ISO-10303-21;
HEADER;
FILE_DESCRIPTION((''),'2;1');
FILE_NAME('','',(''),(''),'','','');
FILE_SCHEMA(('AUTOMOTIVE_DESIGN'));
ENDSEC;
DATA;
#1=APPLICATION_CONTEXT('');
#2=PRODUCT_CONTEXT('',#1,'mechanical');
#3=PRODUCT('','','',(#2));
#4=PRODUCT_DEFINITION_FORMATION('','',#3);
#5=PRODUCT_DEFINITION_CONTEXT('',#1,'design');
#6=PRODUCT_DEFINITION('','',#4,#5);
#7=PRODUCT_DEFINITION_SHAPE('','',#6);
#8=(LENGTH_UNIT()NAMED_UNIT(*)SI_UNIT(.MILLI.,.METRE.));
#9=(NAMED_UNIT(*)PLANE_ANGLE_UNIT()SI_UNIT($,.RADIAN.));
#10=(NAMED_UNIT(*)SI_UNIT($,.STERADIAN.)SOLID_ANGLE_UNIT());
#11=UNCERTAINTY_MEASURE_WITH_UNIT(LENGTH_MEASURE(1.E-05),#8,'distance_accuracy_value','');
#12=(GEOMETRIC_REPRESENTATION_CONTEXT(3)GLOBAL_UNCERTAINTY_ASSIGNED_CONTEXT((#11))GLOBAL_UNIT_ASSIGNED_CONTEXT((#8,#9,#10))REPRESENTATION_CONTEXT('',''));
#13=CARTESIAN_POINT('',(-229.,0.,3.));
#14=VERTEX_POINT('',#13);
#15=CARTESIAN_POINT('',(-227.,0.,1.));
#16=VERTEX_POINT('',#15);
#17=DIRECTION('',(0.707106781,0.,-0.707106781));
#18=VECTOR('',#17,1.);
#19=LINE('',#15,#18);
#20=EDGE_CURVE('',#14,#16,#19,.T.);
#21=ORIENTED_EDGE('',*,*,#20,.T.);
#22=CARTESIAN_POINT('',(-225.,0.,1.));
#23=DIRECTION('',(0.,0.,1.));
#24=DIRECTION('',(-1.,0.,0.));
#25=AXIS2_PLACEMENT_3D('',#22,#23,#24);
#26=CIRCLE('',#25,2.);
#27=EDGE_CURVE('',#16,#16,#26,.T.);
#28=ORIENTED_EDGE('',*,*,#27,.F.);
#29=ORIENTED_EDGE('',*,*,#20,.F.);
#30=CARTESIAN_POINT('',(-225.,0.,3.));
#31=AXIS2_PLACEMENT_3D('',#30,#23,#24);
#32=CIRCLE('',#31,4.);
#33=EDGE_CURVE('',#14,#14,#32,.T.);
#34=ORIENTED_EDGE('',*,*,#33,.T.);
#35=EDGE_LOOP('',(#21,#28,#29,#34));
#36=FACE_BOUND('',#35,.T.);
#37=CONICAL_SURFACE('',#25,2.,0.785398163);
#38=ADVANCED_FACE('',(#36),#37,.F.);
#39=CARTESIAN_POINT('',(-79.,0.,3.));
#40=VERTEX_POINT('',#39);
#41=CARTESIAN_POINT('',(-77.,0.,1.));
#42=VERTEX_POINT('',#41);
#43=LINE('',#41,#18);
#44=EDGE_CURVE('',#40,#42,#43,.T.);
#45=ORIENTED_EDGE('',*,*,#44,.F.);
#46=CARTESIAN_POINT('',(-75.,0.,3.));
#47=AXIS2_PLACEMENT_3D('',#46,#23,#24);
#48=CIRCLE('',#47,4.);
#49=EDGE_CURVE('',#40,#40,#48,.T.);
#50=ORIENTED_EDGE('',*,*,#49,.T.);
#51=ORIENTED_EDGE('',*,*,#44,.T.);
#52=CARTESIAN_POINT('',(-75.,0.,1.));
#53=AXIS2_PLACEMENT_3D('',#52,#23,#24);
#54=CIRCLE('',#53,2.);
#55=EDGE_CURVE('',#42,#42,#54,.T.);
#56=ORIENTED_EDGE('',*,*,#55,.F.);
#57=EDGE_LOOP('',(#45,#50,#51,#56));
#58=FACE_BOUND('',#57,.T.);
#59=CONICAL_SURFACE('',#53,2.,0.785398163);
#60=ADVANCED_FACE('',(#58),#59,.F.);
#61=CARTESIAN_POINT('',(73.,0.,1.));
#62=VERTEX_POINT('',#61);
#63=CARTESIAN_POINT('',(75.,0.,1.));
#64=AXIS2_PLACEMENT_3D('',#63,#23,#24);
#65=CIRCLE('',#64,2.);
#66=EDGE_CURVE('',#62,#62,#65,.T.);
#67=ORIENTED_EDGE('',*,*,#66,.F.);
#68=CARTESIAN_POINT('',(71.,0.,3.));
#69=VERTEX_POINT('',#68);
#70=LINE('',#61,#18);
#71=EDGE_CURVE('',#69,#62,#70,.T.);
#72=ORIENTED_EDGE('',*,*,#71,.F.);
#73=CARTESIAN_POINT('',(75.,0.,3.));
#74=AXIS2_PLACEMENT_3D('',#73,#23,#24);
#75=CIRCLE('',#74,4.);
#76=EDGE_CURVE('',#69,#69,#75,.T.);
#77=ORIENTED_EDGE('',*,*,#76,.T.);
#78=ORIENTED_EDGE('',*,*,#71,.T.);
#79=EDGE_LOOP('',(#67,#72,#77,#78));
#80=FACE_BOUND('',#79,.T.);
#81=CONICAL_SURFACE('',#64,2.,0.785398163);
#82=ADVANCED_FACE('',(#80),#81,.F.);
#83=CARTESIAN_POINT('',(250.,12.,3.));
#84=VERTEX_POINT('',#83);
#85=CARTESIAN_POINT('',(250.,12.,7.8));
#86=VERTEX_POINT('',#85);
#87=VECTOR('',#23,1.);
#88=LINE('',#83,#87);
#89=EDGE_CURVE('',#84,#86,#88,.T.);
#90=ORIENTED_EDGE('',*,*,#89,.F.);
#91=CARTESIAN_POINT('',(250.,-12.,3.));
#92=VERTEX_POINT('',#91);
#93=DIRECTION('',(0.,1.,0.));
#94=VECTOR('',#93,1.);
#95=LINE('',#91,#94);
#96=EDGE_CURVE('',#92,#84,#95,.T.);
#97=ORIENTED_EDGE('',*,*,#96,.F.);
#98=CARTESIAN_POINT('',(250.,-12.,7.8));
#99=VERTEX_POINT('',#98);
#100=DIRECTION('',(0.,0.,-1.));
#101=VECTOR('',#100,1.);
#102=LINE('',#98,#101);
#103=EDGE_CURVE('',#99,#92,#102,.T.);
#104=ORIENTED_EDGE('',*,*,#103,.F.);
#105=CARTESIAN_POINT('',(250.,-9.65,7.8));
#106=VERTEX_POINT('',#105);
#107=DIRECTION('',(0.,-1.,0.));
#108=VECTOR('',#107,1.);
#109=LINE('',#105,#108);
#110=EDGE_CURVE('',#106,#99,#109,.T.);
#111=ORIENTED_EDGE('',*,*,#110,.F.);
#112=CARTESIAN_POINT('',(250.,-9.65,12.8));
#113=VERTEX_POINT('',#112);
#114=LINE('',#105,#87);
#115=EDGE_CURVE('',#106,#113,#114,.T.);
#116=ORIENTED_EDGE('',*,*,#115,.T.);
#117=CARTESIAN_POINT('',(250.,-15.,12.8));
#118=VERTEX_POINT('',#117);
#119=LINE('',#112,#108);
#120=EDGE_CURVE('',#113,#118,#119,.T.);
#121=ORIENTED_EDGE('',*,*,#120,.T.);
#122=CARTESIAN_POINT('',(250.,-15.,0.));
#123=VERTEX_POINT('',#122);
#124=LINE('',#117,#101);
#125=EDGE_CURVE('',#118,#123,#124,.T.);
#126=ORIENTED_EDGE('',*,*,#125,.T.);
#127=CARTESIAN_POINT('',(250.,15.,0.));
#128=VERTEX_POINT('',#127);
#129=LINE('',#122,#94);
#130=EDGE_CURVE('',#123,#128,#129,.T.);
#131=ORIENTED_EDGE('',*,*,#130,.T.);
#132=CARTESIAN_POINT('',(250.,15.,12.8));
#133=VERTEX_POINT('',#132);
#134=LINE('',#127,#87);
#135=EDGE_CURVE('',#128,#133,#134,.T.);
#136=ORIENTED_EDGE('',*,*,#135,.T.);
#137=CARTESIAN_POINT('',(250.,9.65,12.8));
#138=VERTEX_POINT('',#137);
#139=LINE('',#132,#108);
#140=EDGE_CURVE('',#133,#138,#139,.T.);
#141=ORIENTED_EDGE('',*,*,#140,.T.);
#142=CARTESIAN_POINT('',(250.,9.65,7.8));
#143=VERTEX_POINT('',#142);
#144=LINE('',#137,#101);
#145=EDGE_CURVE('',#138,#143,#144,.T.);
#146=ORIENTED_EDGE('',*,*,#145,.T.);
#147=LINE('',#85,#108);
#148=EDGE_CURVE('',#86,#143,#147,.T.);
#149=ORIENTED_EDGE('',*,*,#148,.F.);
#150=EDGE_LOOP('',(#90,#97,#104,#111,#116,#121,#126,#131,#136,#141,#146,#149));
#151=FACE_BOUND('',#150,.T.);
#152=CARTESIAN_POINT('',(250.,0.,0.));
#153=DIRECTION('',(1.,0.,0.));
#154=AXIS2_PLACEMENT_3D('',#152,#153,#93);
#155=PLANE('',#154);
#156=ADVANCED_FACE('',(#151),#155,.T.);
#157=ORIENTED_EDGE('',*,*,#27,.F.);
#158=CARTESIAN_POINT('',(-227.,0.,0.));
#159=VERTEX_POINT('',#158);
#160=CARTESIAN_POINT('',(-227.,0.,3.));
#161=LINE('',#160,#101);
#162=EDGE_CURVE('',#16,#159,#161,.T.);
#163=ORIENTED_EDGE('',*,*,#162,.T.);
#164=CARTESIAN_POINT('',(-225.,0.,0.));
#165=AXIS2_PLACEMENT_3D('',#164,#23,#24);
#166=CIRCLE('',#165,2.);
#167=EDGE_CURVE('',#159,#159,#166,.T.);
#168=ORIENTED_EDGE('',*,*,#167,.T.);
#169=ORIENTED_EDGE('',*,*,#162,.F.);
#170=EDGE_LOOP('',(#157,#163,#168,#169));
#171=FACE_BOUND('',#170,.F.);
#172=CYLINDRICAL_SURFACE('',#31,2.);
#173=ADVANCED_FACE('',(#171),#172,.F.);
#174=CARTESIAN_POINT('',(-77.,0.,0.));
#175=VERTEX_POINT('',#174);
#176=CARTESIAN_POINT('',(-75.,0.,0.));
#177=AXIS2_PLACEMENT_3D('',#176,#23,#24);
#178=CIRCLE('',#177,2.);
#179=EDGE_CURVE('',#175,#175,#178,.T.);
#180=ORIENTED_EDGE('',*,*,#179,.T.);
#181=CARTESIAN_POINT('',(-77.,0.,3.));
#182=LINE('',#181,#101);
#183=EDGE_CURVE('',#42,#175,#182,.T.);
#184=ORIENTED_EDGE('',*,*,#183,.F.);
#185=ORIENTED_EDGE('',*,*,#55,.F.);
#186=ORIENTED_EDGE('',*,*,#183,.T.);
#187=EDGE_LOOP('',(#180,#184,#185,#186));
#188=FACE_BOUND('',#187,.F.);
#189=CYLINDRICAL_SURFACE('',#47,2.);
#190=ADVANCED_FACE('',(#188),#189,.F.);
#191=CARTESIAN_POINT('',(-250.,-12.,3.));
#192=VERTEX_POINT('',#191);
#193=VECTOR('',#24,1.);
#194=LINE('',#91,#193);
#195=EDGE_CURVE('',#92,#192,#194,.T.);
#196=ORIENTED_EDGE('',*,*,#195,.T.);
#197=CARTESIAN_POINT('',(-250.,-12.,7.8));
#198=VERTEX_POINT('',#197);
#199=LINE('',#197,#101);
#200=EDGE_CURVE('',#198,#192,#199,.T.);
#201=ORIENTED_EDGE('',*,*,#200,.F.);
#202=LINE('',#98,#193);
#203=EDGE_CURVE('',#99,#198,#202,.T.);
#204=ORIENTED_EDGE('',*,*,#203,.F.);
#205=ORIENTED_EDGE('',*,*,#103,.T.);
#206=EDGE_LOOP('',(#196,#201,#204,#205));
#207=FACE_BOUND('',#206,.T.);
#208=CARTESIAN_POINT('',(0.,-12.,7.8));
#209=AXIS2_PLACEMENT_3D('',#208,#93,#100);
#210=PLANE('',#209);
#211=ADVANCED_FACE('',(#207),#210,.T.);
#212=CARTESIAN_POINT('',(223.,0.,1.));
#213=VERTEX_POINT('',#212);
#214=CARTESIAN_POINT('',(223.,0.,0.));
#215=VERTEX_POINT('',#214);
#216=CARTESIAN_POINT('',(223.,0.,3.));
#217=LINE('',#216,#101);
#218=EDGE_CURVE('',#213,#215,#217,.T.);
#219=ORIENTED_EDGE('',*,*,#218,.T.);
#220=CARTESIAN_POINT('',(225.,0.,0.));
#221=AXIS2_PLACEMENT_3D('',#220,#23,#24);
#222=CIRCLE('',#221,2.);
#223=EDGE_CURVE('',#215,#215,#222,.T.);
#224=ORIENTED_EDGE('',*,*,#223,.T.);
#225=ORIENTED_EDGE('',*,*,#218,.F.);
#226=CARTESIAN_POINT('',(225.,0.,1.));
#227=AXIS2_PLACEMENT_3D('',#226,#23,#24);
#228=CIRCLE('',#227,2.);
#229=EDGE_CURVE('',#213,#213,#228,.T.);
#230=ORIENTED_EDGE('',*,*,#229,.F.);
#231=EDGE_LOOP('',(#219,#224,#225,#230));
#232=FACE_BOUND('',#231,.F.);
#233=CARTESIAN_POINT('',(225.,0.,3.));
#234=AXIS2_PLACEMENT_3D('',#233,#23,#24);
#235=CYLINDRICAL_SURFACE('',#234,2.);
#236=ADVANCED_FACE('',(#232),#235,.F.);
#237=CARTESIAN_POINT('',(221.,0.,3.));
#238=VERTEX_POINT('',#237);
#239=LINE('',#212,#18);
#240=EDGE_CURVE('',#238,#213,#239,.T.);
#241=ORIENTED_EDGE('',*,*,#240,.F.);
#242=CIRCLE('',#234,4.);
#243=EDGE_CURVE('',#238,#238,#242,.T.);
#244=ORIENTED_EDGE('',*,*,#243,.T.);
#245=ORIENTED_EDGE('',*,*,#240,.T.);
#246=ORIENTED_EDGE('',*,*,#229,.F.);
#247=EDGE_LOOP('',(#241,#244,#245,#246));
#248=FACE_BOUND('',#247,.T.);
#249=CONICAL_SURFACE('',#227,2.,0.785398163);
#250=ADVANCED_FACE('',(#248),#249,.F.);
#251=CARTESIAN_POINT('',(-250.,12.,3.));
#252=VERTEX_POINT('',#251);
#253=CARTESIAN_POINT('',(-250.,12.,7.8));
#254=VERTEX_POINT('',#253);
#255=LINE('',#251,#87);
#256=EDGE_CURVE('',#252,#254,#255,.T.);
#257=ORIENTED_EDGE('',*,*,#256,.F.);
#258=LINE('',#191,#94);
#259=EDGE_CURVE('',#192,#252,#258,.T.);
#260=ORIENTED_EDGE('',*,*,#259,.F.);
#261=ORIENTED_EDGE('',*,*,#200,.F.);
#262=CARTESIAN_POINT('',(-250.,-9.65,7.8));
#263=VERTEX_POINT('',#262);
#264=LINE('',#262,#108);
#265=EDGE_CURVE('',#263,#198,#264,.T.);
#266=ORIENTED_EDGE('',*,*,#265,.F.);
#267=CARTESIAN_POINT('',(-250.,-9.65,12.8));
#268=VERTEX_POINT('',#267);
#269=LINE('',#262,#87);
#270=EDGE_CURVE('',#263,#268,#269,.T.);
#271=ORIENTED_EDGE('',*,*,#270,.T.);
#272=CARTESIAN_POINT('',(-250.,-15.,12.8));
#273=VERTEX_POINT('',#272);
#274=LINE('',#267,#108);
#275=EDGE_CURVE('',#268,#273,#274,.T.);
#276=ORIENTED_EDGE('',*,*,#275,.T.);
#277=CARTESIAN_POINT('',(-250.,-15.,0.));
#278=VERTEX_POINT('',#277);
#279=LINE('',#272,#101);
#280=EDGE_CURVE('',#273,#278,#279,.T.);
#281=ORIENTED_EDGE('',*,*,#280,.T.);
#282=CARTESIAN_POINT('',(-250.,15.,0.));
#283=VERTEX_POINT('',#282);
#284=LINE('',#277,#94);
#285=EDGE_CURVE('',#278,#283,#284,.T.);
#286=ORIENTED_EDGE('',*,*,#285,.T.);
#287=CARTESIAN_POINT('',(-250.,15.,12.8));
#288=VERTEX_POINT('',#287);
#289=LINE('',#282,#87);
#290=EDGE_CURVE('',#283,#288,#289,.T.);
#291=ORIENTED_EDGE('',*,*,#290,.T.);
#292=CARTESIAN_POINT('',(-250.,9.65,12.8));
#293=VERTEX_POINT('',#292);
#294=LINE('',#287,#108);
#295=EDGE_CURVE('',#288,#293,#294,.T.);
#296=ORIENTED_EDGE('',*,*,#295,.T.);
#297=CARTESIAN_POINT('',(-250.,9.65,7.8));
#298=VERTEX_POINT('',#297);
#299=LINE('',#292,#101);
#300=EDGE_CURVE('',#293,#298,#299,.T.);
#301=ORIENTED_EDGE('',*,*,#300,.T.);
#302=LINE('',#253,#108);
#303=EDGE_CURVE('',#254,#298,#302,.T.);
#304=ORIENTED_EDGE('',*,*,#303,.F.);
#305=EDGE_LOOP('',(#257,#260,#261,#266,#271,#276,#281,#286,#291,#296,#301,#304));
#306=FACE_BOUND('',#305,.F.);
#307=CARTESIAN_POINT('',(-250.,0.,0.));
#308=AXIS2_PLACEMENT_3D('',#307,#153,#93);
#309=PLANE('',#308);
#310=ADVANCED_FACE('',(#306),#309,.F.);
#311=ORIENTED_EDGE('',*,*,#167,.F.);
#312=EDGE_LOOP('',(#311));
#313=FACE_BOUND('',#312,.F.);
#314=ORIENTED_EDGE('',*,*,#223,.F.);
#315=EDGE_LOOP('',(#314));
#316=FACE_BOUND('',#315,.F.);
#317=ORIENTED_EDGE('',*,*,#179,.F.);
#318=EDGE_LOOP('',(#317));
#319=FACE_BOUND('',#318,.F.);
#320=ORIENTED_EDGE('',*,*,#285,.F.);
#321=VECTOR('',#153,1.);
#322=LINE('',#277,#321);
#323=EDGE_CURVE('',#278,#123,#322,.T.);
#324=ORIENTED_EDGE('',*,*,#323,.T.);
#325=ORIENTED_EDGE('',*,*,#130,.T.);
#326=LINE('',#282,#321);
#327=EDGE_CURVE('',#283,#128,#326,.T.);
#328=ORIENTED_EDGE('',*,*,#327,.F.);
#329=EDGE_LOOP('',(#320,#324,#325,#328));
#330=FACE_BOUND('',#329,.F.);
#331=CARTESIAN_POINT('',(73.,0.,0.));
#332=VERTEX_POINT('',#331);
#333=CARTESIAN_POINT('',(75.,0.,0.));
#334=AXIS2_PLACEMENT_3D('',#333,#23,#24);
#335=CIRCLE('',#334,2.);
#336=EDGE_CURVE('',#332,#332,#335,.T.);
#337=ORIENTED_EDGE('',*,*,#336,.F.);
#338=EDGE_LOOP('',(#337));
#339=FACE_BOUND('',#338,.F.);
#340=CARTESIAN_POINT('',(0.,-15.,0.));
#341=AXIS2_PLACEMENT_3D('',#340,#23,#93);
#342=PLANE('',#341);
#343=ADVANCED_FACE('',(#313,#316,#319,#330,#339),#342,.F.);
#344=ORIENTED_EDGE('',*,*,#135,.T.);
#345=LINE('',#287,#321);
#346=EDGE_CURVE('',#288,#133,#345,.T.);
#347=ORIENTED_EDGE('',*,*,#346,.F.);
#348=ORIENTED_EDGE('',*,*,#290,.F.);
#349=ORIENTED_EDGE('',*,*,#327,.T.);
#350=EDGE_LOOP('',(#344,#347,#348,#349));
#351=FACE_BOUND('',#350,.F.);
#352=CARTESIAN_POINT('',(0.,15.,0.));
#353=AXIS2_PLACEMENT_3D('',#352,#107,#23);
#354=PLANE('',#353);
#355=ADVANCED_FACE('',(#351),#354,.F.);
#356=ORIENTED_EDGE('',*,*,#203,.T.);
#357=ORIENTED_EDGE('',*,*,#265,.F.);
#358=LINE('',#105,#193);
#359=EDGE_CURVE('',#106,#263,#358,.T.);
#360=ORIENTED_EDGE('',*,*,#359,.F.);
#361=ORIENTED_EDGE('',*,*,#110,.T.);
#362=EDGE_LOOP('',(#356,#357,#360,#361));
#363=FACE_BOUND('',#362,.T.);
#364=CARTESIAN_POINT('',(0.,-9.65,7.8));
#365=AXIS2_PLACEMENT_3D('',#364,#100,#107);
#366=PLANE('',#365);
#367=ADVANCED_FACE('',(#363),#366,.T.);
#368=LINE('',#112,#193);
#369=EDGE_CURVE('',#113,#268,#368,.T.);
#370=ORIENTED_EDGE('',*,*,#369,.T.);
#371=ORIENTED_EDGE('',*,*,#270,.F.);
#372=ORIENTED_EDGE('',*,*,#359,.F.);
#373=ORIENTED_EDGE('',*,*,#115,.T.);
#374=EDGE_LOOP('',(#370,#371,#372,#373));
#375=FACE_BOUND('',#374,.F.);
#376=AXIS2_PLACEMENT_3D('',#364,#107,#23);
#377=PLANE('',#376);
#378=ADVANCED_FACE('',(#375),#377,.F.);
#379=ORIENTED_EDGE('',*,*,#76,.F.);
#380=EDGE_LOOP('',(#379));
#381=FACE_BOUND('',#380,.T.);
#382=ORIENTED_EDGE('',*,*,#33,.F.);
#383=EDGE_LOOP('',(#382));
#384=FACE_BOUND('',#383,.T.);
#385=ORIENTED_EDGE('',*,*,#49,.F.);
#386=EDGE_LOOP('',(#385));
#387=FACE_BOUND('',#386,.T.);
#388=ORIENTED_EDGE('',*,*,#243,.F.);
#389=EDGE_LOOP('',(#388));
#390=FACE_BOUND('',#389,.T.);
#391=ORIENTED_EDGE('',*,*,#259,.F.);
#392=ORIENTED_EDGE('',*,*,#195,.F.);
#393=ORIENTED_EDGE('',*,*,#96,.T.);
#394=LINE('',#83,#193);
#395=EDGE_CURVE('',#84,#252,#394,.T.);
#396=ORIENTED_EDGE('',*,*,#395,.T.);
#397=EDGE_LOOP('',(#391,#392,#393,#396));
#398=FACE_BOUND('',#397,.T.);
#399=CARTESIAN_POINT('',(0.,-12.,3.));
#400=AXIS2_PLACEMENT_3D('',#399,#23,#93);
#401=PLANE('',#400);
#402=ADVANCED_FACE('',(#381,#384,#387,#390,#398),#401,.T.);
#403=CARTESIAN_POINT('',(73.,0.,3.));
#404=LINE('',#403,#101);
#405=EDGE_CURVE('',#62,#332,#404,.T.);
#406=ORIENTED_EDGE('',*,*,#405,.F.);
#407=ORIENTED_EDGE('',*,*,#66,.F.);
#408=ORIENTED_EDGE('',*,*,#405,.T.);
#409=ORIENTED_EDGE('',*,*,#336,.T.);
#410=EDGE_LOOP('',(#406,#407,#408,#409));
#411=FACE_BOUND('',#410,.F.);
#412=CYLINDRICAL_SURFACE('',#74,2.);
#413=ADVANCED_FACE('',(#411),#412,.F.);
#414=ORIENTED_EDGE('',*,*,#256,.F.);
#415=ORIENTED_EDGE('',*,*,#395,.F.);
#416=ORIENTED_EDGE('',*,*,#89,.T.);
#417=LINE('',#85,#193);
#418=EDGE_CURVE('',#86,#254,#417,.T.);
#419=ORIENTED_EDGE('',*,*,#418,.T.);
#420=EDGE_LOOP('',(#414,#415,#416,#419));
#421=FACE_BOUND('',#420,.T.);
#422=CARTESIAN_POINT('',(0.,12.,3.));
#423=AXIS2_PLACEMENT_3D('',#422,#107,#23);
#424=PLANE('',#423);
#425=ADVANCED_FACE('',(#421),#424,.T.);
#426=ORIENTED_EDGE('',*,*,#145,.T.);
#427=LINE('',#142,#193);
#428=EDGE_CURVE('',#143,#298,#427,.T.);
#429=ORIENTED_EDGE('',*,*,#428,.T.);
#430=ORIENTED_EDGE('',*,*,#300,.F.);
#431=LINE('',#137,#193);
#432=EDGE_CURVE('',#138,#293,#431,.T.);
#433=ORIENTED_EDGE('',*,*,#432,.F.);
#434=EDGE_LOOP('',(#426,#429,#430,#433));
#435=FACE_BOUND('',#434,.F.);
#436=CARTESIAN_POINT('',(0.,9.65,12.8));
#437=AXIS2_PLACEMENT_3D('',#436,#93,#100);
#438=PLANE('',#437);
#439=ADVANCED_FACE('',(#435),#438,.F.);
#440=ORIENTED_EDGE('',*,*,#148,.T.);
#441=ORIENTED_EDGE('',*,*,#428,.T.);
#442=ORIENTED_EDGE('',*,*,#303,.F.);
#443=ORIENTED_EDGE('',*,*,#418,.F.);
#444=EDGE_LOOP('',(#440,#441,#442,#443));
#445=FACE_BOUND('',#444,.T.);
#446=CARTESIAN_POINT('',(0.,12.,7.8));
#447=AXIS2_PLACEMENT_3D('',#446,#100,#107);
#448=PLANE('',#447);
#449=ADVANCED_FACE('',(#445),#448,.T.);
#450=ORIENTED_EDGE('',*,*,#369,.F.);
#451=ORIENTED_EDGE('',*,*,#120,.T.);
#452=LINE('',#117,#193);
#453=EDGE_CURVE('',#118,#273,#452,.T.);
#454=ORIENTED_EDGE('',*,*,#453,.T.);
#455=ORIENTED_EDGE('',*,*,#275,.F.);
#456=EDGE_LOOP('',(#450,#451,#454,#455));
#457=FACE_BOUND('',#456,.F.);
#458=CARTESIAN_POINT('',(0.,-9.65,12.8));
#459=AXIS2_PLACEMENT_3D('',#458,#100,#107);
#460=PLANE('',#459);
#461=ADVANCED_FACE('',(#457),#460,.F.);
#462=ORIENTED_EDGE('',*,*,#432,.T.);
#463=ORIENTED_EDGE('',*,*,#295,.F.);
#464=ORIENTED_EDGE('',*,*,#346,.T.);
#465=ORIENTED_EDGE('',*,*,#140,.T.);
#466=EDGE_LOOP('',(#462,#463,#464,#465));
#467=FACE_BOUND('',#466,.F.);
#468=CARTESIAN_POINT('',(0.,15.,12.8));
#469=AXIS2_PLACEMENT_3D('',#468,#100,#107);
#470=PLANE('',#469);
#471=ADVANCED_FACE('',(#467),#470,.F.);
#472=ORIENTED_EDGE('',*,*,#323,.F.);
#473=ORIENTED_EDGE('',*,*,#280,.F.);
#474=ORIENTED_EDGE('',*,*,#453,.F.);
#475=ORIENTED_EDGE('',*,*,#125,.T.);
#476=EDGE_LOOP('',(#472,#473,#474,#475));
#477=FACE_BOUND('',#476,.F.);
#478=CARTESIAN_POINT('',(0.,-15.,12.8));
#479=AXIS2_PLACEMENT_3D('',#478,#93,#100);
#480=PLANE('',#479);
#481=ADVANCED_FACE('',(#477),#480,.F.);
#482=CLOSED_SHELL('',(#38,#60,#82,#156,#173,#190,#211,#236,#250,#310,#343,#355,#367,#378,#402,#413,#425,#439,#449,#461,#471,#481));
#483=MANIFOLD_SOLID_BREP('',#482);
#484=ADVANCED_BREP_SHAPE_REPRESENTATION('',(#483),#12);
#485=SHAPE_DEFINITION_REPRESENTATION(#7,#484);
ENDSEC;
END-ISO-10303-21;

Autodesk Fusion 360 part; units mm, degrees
sketch "T-track" plane through (0, 0, 0) normal (1, 0, 0) x (0, 1, 0)
  line L0 (-15, 0) -> (15, 0)
  line L1 (15, 0) -> (15, 12.8)
  line L2 (-15, 12.8) -> (-15, 0)
  line L3 (9.65, 12.8) -> (9.65, 7.8)
  line L4 (-9.65, 7.8) -> (-9.65, 12.8)
  line L5 (-12, 7.8) -> (-12, 3)
  line L6 (-12, 3) -> (12, 3)
  line L7 (12, 3) -> (12, 7.8)
  line L8 (15, 12.8) -> (9.65, 12.8)
  line L9 (-9.65, 12.8) -> (-15, 12.8)
  line L10 (12, 7.8) -> (9.65, 7.8)
  line L11 (-9.65, 7.8) -> (-12, 7.8)
  dimension "d1" = 30
  dimension "d2" = 12.8
  dimension "d3" = 19.3
  dimension "d4" = 5
  dimension "d5" = 9.65
  dimension "d6" = 24
  dimension "d7" = 4.8
  dimension "d8" = 12
extrude "Extrude1" add sketch "T-track" along normal mid plane 500
sketch "Holes" plane through (0, 0, 3) normal (0, 0, 1) x (-1, 0, 0)
  line L0 (250, 12) -> (-250, 12)
  line L1 (-250, 12) -> (-250, -12)
  line L2 (-250, -12) -> (250, -12)
  line L3 (250, -12) -> (250, 12)
  line L4 (250, 0) -> (-250, 0) construction
  circle A0 centre (225, 0) radius 2
  circle A1 centre (-225, 0) radius 2
  circle A2 centre (-75, 0) radius 2
  circle A3 centre (75, 0) radius 2
  dimension "d12" = 4
  dimension "d13" = 4
  dimension "d14" = 25
  dimension "d22" = 4
  dimension "d23" = 4
  dimension "d24" = 150
  dimension "d25" = 150
  dimension "d26" = 150
  dimension "d27" = 25
extrude "Extrude2" cut sketch "Holes" against normal through all contours A0 | A1 | A2 | A3
chamfer "Chamfer2" distance 2 angle 45 4 edges at (226.8647, -0.7232, 3) (76.8647, -0.7232, 3) (-73.1353, -0.7232, 3) (-223.1353, -0.7232, 3)
equation "d5 = ( 19.3 / 2 ) * 1 mm"
equation "d8 = ( 24 / 2 ) * 1 mm"
equation "d12 = d13"
equation "d22 = d13"
equation "d23 = d13"
